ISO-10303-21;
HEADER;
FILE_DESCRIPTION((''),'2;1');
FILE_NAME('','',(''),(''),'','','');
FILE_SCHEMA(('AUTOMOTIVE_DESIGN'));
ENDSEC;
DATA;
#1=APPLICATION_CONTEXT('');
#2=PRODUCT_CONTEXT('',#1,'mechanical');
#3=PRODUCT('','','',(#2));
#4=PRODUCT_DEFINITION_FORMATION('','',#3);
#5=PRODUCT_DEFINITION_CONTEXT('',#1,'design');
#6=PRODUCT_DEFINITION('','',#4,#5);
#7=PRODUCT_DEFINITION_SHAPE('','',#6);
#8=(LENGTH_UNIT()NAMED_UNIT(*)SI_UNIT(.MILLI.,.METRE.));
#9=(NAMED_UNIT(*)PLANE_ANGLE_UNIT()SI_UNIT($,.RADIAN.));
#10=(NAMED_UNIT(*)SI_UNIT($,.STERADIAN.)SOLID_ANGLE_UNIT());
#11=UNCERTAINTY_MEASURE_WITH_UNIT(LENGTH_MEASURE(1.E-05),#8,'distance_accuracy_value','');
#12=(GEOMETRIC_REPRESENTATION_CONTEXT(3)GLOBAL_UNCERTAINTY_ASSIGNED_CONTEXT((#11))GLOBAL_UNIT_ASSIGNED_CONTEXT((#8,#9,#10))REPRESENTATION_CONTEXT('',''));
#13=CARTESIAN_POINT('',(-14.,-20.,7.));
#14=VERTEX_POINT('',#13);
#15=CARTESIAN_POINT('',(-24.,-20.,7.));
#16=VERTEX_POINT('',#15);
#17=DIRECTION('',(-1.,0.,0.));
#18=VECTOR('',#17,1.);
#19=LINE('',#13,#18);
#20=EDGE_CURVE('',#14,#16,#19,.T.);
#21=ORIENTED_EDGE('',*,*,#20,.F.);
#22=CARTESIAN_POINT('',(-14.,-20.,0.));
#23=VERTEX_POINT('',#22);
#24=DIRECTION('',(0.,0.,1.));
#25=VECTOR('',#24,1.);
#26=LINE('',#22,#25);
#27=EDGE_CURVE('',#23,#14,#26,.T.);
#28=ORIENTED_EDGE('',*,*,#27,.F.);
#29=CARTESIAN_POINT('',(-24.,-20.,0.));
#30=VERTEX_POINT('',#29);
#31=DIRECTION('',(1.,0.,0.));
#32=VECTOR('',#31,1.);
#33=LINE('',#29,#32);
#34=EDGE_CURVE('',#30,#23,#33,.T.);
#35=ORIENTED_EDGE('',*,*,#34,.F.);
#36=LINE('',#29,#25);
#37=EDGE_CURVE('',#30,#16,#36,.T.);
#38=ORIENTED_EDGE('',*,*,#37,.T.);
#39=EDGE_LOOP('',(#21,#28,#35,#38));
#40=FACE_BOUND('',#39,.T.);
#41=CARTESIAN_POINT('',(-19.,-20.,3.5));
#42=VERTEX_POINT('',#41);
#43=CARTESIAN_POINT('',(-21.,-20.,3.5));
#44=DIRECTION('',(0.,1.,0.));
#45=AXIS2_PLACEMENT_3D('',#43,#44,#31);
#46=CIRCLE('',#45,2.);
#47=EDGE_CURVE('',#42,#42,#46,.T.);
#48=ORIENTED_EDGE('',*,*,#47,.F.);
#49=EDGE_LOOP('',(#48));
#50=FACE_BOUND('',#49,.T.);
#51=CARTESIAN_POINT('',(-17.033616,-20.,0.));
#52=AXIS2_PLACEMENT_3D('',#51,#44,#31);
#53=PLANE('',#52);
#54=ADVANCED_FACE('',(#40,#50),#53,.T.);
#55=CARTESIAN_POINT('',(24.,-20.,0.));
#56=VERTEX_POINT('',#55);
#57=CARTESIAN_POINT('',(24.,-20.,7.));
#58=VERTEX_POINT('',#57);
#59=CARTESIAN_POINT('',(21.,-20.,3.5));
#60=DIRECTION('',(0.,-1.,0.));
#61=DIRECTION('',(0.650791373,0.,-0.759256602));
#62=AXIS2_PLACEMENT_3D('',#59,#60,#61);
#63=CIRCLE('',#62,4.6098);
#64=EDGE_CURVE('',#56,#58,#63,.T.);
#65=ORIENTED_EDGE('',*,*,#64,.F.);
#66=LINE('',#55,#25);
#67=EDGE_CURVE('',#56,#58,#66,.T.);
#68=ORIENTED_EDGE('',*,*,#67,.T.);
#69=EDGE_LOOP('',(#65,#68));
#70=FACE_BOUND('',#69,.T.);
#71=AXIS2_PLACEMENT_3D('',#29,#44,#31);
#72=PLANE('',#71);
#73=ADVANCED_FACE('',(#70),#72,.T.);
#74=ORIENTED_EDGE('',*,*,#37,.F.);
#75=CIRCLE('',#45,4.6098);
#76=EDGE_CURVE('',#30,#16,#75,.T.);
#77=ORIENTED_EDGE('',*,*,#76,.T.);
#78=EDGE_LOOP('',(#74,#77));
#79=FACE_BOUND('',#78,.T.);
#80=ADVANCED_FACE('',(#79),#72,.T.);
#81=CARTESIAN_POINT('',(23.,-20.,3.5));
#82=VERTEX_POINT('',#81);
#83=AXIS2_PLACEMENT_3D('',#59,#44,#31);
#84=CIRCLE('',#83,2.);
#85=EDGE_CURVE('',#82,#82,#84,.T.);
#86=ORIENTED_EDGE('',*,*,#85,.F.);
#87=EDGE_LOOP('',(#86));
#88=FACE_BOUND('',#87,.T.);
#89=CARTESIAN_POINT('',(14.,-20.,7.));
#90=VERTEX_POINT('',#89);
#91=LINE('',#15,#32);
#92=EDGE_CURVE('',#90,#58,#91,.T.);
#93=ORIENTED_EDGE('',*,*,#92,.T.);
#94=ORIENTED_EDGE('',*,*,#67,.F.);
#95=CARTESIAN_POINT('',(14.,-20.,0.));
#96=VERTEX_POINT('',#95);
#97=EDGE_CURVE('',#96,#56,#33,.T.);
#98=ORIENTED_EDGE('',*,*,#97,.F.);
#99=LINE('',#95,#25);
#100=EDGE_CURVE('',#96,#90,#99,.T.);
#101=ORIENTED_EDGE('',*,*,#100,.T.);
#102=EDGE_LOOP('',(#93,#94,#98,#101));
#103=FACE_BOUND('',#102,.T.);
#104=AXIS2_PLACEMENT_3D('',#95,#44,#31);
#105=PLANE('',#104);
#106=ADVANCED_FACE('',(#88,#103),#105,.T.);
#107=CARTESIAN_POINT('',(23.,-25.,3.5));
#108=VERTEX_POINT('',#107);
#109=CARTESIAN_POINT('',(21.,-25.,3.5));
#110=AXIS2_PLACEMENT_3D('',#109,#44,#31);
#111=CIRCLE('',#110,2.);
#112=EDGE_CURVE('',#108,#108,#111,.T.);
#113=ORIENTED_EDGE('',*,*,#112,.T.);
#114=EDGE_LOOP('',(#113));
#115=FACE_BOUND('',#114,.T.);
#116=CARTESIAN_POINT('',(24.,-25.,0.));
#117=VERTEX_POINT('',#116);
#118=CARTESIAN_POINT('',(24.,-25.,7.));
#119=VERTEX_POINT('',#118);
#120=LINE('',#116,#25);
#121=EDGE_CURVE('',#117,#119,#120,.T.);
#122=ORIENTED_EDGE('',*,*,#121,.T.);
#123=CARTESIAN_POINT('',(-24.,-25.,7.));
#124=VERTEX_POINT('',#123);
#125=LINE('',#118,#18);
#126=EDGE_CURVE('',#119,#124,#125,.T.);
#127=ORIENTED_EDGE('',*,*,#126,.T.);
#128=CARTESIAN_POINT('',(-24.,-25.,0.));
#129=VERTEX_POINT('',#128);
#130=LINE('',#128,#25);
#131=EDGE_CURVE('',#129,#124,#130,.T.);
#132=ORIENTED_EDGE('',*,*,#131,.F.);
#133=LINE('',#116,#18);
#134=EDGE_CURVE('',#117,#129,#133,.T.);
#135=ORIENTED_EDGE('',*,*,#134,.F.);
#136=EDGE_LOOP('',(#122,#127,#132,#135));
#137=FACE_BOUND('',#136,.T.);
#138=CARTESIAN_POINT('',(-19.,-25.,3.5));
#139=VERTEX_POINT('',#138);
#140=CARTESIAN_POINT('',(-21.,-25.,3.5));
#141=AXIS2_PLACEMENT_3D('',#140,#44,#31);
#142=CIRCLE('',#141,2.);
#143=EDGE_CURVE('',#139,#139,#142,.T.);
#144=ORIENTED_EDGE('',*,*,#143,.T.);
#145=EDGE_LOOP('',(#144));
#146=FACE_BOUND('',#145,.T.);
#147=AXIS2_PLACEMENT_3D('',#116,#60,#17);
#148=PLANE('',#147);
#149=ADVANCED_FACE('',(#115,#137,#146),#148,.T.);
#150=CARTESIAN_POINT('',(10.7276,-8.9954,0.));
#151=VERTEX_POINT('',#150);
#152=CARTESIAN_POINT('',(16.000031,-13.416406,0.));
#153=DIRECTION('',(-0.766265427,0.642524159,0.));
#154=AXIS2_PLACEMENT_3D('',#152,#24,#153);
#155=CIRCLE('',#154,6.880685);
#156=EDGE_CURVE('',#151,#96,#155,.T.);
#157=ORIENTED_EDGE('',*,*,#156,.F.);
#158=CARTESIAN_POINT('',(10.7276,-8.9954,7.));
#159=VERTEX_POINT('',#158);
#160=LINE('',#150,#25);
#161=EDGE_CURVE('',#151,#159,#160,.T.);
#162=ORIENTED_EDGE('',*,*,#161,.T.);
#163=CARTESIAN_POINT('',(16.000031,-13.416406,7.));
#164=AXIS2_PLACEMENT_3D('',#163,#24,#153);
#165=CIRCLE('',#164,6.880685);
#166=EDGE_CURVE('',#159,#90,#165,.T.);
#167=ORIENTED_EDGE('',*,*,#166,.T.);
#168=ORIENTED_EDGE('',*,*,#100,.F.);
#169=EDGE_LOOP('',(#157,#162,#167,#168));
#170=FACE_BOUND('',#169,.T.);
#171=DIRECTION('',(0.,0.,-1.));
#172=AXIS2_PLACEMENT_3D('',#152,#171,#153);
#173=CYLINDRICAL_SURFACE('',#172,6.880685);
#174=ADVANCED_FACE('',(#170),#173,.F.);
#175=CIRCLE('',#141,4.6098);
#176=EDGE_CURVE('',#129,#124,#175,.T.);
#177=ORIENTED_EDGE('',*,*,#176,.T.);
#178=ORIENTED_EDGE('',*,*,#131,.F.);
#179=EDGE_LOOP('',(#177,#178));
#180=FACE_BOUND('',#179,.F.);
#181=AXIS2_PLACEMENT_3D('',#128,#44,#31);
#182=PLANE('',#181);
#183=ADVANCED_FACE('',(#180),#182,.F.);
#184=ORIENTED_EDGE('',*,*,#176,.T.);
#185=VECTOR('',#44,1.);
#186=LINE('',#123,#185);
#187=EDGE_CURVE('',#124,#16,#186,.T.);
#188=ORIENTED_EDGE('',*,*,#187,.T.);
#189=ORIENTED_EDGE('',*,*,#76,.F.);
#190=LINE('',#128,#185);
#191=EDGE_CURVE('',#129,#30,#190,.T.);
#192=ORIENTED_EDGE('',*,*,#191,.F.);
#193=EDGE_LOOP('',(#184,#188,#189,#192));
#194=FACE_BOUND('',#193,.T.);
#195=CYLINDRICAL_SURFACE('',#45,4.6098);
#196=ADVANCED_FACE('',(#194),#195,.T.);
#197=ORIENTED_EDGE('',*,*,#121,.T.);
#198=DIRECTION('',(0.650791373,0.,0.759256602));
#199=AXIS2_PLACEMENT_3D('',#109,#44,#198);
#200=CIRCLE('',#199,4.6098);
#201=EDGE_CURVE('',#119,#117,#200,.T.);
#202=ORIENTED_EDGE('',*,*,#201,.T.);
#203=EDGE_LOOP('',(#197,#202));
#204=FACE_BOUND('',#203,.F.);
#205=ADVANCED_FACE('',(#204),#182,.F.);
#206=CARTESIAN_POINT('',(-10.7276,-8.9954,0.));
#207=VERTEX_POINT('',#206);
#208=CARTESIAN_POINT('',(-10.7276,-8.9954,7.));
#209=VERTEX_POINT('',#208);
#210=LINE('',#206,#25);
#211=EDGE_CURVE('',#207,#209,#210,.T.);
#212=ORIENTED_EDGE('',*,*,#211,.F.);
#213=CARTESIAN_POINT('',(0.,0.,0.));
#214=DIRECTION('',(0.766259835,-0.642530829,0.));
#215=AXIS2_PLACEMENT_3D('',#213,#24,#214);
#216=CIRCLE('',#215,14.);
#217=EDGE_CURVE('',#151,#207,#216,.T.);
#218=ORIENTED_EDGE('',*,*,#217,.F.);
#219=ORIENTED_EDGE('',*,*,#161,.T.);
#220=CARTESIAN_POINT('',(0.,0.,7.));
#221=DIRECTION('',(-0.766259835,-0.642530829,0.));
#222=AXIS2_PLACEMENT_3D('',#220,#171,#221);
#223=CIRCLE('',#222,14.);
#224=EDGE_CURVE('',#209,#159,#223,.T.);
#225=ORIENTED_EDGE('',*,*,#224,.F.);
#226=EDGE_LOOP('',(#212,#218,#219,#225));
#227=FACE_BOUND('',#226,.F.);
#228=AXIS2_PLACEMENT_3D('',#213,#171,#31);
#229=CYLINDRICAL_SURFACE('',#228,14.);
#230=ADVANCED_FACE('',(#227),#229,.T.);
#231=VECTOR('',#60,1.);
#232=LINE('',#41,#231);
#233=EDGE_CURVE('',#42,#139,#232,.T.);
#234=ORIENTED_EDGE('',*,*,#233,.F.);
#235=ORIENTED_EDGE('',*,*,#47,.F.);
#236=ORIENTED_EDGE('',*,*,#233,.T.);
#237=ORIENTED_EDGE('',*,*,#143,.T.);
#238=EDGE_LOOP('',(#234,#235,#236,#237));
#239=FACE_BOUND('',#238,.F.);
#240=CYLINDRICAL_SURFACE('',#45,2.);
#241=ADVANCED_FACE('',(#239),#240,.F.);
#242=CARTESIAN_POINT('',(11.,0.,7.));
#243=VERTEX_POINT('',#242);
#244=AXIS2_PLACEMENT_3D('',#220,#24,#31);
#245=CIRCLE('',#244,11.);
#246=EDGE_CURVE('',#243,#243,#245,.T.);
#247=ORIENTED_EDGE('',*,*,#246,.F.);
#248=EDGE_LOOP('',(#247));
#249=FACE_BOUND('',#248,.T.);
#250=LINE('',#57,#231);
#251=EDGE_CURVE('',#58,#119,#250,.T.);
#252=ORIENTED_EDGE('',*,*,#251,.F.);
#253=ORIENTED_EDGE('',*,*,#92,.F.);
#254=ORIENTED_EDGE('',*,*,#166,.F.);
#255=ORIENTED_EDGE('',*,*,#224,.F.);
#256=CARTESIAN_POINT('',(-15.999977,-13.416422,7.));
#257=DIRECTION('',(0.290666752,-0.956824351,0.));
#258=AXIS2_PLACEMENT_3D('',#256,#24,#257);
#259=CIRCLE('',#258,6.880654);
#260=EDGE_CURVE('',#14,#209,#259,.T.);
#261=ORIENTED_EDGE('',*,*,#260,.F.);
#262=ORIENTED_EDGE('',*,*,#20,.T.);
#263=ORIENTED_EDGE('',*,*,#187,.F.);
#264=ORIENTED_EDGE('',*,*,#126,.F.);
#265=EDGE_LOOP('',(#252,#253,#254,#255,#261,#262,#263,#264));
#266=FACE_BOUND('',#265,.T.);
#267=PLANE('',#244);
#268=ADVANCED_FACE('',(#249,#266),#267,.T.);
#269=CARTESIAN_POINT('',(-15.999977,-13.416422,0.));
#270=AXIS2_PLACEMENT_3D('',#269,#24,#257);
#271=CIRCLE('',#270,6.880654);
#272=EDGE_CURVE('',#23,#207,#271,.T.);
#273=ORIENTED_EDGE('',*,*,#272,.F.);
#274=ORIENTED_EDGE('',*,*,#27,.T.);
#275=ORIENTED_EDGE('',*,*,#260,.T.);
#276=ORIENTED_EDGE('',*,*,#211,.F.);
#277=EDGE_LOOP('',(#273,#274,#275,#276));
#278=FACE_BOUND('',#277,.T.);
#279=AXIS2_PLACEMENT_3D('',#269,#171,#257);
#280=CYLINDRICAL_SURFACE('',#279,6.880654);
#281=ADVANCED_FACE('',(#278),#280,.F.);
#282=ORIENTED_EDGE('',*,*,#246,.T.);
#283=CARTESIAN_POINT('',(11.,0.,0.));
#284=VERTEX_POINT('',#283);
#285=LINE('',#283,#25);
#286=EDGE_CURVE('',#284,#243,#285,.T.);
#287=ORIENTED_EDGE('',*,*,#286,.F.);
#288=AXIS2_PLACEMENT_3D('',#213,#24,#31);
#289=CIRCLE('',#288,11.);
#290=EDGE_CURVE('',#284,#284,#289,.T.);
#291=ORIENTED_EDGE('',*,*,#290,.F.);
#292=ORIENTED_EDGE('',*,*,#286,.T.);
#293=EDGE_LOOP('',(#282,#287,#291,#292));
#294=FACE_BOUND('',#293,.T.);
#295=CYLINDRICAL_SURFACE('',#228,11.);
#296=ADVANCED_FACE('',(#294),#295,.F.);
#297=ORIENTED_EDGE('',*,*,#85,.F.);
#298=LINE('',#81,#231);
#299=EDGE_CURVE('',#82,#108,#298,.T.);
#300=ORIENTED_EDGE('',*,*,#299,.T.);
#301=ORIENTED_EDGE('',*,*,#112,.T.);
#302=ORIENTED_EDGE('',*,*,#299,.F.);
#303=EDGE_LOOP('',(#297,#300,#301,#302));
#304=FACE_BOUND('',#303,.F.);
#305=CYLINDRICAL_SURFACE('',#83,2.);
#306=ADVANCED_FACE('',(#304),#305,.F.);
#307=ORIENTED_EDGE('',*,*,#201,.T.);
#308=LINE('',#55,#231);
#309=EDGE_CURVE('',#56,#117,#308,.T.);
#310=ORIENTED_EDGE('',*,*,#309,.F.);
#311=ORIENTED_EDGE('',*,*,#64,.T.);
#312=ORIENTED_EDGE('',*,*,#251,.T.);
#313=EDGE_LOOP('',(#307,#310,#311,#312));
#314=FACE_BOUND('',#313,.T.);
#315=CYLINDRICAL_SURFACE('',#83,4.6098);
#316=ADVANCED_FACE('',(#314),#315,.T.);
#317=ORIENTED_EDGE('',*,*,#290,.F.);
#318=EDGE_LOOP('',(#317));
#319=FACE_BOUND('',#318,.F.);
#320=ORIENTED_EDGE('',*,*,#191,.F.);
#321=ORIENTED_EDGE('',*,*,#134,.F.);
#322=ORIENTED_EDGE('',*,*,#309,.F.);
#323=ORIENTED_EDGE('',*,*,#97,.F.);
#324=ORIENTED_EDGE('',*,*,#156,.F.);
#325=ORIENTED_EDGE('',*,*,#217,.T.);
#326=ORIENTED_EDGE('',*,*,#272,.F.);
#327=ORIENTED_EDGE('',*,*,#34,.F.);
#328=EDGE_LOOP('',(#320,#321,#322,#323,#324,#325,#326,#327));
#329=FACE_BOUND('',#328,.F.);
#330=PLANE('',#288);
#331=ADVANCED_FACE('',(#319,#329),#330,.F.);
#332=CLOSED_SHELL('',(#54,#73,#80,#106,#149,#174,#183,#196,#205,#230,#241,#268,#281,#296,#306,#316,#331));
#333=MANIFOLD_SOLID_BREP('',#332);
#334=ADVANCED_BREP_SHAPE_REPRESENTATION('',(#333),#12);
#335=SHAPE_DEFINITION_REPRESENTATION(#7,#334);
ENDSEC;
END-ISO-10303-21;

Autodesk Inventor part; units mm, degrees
ref_plane "YZ Plane" through (0, 0, 0) normal (1, 0, 0) x (0, 1, 0)
ref_plane "XZ Plane" through (0, 0, 0) normal (0, 1, 0) x (-1, 0, 0)
ref_plane "XY Plane" through (0, 0, 0) normal (0, 0, 1) x (1, 0, 0)
sketch "Sketch1" plane through (0, 0, 0) normal (0, 0, 1) x (1, 0, 0)
  circle A0 centre (0, 0) radius 4
  circle A1 centre (0, 0) radius 11
  line L0 (-25.9378, -1.7681) -> (-27.6396, -2.8187) projected
  line L1 (-27.6396, -2.8187) -> (-14.9069, -23.4452) projected
  line L2 (-14.9069, -23.4452) -> (-13.205, -22.3947) projected
  line L3 (0, 0) -> (11.913, 7.3539) construction
  circle A2 centre (0, 0) radius 14
  line L4 (-24, -20) -> (24, -20)
  line L5 (24, -20) -> (24, -25)
  line L6 (24, -25) -> (-24, -25)
  line L7 (-24, -25) -> (-24, -20)
  arc A3 (-14, -20) -> (-10.7276, -8.9954) centre (-16, -13.4164) ccw
  line L8 (-14, 0) -> (-14, -25) construction
  line L9 (0, 0) -> (-14, 0) construction
  line L10 (0, 0) -> (14, 0) construction
  line L11 (14, 0) -> (14, -25) construction
  arc A4 (10.7276, -8.9954) -> (14, -20) centre (16, -13.4164) ccw
  dimension "d0" = 8
  dimension "d1" = 22
  dimension "d19" = 3
  dimension "d20" = 25
  dimension "d21" = 5
  dimension "d22" = 2
  dimension "d23" = 2
  dimension "d24" = 10
  dimension "d25" = 10
extrude "Extrusion1" add sketch "Sketch1" along normal blind 7 contours A2 | A2 A4 L4 A3 | L4 L5 L6 L7
sketch "Sketch5" plane through (-24, -20, 0) normal (0, 1, 0) x (1, 0, 0)
  circle A0 centre (3, -3.5) radius 2
  circle A1 centre (45, -3.5) radius 2
  line L0 (3, -3.5) -> (45, -3.5) construction
  line L1 (0, 0) -> (0, -7) projected
  line L2 (48, 0) -> (48, -7) projected
  line L3 (10, 0) -> (0, 0) projected
  circle A2 centre (3, -3.5) radius 4.6098
  line L4 (0, 0) -> (48, 0) projected
  circle A3 centre (45, -3.5) radius 4.6098
  point P0 (24, 0)
  dimension "d26" = 4
  dimension "d27" = 4
  dimension "d28" = 3
  dimension "d29" = 3
  dimension "d30" = 3.5
extrude "Extrusion6" cut sketch "Sketch5" against normal up to surface (5 mm away) contours A0 | A1
extrude "Extrusion7" add sketch "Sketch5" against normal up to surface (5 mm away) contours L1 A2 | A3 L2
equation "\"d0\" = DIR"
equation "\"d1\" = DER"
equation "\"d20\" = HSE"
equation "\"DER\" = 22"
equation "\"HR\" = 7"
equation "\"DIR\" = 8"
equation "\"DEM\" = 4"
equation "\"Dmarc\" = 17.5"
equation "\"Bsm\" = 22.5"
equation "\"Hsm\" = 12"
equation "\"Lsm\" = 21"
equation "\"Dsc\" = 5"
equation "\"RC\" = 6"
equation "\"PB\" = 25"
equation "\"TB\" = 3"
equation "\"HSE\" = 25"
equation "\"LMaSP\" = 46.5"
properties part number "SoportePolea"
